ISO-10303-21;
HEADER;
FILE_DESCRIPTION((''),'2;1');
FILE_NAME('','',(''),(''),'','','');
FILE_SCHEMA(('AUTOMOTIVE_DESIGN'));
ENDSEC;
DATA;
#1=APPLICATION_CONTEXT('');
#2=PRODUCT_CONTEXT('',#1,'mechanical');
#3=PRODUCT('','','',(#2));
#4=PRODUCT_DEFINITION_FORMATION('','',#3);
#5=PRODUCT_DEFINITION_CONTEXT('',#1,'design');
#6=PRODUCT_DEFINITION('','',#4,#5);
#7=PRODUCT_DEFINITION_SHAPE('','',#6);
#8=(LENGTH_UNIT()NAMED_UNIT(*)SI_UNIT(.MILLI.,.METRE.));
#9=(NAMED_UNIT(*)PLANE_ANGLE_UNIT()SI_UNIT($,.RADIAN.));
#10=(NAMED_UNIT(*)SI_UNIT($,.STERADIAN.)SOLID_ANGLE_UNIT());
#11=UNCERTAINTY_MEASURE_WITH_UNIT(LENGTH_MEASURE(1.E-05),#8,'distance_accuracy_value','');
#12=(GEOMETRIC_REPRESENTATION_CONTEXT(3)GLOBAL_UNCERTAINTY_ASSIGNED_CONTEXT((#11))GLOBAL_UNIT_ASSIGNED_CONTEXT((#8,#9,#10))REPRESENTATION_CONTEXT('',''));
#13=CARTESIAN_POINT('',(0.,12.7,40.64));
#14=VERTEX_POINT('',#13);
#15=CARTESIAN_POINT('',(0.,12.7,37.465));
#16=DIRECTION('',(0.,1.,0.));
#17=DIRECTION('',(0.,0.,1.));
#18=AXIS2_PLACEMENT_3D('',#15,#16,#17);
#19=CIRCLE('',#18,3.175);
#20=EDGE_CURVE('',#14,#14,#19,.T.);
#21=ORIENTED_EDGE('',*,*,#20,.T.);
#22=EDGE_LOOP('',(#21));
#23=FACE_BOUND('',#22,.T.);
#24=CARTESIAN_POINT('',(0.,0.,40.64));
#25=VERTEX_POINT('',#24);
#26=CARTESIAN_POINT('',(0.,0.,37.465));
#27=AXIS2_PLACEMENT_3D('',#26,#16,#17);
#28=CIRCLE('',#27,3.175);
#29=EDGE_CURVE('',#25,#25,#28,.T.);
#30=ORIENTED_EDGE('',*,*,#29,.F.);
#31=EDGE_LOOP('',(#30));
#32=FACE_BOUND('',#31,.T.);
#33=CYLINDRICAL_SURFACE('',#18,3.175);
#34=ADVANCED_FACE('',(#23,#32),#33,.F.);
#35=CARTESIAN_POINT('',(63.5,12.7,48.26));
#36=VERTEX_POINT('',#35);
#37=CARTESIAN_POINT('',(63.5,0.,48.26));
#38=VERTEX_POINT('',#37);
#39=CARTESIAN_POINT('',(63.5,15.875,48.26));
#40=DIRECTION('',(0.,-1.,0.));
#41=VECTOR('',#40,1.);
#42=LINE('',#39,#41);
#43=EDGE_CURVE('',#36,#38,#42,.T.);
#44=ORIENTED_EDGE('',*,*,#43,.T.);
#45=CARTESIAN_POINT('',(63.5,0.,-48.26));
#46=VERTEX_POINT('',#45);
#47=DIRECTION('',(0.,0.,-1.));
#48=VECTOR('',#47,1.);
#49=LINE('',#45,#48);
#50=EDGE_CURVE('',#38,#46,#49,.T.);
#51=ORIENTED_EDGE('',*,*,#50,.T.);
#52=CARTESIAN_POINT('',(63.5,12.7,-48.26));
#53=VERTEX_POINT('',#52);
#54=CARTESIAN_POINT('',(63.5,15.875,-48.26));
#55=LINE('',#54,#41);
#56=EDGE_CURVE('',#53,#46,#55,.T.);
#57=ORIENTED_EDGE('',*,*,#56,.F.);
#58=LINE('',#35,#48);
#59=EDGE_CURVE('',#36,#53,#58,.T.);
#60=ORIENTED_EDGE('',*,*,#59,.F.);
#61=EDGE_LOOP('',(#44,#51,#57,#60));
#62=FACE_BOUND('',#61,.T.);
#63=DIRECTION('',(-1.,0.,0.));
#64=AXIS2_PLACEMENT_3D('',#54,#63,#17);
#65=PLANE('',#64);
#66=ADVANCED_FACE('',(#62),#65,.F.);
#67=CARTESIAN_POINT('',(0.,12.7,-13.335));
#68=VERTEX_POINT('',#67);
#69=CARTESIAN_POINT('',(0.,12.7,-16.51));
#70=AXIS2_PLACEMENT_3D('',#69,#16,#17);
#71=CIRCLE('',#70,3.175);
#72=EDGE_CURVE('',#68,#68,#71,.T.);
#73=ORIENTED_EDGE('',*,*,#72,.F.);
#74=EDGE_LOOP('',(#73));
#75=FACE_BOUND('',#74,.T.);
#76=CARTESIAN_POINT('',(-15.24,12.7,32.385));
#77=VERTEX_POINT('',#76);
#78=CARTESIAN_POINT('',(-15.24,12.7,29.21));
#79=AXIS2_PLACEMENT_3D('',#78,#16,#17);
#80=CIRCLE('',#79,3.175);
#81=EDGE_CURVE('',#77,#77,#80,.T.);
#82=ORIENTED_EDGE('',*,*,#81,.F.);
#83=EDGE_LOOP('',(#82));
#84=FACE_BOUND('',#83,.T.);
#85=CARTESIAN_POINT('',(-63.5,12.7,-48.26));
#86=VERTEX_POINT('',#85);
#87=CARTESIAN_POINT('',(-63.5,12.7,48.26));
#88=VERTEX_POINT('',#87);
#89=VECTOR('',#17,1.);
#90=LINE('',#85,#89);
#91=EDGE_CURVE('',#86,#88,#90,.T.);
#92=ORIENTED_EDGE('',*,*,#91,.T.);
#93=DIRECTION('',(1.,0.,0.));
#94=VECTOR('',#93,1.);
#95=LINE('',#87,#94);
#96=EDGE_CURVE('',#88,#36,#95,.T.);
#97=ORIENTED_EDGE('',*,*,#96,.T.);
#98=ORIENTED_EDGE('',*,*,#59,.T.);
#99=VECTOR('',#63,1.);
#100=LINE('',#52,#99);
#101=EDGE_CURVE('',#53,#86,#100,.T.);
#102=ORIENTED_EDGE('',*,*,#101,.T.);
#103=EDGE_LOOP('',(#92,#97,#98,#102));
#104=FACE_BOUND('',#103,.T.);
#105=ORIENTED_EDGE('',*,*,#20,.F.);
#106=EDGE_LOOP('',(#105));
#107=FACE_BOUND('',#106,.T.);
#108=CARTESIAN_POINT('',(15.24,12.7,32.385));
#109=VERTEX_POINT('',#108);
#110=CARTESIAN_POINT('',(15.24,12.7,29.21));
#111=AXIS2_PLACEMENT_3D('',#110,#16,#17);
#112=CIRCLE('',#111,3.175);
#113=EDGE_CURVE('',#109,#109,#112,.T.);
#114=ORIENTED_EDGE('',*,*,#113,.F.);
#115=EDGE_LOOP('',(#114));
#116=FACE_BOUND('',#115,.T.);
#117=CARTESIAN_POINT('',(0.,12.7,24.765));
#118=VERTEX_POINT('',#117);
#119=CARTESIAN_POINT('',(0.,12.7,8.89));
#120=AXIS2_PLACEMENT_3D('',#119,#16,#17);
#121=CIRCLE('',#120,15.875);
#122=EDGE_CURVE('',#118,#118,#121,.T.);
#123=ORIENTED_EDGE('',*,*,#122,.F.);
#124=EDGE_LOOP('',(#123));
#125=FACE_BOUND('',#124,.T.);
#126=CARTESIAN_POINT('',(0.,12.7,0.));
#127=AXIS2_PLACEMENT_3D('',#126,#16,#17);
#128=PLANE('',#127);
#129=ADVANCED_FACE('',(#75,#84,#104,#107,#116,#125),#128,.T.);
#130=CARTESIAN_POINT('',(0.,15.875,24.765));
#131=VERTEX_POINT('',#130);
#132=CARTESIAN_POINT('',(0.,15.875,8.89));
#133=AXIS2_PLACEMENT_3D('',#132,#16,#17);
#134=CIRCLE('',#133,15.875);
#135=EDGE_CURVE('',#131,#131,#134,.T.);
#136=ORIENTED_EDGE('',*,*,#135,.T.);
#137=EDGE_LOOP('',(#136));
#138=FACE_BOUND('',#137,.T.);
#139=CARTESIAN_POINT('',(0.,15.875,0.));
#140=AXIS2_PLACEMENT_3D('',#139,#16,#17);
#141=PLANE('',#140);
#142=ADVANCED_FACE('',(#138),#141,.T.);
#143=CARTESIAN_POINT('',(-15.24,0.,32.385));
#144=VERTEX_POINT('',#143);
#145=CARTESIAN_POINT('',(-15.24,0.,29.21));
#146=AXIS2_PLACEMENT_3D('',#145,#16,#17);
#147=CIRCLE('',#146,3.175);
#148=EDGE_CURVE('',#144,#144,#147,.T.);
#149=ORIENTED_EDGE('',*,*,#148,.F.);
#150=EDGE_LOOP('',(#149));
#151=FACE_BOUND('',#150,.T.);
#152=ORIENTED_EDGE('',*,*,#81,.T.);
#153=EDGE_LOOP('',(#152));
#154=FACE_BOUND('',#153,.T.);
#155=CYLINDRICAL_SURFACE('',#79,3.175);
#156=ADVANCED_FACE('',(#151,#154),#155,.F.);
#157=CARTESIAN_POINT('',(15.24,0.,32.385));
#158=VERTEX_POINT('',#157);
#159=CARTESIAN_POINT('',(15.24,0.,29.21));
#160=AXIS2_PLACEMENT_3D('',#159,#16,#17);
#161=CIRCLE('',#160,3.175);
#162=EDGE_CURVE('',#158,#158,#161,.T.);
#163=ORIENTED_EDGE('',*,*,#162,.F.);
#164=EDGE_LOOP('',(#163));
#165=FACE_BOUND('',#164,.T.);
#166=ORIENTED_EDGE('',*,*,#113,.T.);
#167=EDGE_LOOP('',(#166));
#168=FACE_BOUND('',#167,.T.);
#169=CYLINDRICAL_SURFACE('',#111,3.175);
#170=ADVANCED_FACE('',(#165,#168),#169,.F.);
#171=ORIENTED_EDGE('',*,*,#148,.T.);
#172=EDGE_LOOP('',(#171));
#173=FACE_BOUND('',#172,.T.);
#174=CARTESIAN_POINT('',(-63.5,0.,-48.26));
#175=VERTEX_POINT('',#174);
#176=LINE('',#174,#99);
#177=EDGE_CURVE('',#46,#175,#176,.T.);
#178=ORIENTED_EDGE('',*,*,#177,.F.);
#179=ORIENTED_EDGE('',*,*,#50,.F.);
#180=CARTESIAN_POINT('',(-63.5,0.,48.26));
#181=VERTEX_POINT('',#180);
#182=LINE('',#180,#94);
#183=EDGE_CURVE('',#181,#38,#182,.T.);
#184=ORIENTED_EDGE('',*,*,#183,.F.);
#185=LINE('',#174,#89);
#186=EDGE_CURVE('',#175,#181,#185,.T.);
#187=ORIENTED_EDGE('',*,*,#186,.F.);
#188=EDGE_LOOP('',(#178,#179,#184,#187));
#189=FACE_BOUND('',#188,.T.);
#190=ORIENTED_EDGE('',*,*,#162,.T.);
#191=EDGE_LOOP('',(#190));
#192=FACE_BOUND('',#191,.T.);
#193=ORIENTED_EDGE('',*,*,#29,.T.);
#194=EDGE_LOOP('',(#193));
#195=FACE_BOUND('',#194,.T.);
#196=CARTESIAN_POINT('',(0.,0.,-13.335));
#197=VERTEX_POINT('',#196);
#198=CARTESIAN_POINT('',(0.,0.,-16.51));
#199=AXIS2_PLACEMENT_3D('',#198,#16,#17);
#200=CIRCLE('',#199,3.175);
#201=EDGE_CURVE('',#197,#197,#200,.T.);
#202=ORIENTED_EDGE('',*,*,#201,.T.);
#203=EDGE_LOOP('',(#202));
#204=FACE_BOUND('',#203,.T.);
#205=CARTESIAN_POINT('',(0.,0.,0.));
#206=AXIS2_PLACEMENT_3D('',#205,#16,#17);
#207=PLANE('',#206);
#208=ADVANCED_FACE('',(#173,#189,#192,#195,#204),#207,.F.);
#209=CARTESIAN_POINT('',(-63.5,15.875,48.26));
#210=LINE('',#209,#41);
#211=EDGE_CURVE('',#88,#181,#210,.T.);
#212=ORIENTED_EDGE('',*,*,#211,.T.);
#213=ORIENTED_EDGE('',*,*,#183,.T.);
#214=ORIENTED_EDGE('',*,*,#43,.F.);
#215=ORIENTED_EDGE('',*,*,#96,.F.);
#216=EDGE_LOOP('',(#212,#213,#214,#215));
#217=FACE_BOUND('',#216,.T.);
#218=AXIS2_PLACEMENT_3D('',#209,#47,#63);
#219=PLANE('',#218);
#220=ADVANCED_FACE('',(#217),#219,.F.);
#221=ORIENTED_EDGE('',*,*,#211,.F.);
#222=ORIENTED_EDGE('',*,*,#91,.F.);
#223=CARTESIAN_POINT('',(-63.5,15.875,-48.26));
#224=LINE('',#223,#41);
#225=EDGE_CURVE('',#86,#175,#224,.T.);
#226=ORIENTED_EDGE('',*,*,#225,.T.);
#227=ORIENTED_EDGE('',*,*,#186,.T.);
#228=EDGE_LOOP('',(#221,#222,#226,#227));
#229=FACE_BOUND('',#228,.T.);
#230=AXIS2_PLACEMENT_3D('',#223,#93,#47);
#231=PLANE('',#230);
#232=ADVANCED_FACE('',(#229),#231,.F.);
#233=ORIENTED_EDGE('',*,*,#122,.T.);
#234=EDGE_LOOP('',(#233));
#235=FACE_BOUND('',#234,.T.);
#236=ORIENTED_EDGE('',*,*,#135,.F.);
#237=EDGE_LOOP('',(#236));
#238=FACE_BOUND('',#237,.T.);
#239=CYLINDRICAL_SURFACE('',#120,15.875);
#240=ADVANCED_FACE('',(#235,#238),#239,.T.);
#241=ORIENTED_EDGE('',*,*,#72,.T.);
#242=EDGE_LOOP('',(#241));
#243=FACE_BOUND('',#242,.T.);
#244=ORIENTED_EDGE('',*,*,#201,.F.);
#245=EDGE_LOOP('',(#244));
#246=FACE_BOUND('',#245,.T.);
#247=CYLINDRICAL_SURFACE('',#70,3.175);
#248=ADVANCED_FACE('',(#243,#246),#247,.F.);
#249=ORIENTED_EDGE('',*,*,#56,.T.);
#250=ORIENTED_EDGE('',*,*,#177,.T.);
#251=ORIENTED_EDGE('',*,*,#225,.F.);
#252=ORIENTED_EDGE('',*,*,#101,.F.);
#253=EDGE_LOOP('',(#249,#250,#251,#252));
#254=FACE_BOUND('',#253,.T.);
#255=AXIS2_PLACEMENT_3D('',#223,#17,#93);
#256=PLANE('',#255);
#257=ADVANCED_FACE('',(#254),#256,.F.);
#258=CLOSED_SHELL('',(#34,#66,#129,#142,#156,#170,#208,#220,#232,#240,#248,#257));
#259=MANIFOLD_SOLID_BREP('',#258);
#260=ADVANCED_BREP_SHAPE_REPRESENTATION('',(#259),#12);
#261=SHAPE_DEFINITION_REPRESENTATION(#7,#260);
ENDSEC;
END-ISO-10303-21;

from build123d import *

# Parameters (mm, degrees)
SKETCH1_W                   = 127
SKETCH1_H                   = 96.52
BOSS_EXTRUDE1_DEPTH         = 15.875
SKETCH2_W                   = 127
SKETCH2_H                   = 96.52
SKETCH2_R                   = 15.875
CUT_EXTRUDE1_DEPTH          = 3.175
F_1_4_0_25_DIAMETER_HOLE1_D = 6.35


with BuildPart() as part:
    # Sketch1 → Boss-Extrude1 (new body)
    with BuildSketch(Plane(origin=(0, 0, 0), x_dir=(1, 0, 0), z_dir=(0, 1, 0))):
        Rectangle(SKETCH1_W, SKETCH1_H)
    extrude(amount=BOSS_EXTRUDE1_DEPTH)

    # Sketch2 → Cut-Extrude1 (cut)
    with BuildSketch(Plane(origin=(0, 15.875, 0), x_dir=(1, 0, 0), z_dir=(0, 1, 0))):
        Rectangle(SKETCH2_W, SKETCH2_H)
        with Locations(Location((0, -8.89, 0), (0, 0, 270))):
            Circle(SKETCH2_R, mode=Mode.SUBTRACT)
    extrude(amount=-CUT_EXTRUDE1_DEPTH, mode=Mode.SUBTRACT)

    # 1/4 (0.25) Diameter Hole1 (through all)
    with Locations(Plane(origin=(0, 12.7, 0), x_dir=(1, 0, 0), z_dir=(0, 1, 0))):
        with Locations((15.24, -29.21), (0, -37.465), (0, 16.51), (-15.24, -29.21)):
            Hole(F_1_4_0_25_DIAMETER_HOLE1_D / 2)


solid = part.part
